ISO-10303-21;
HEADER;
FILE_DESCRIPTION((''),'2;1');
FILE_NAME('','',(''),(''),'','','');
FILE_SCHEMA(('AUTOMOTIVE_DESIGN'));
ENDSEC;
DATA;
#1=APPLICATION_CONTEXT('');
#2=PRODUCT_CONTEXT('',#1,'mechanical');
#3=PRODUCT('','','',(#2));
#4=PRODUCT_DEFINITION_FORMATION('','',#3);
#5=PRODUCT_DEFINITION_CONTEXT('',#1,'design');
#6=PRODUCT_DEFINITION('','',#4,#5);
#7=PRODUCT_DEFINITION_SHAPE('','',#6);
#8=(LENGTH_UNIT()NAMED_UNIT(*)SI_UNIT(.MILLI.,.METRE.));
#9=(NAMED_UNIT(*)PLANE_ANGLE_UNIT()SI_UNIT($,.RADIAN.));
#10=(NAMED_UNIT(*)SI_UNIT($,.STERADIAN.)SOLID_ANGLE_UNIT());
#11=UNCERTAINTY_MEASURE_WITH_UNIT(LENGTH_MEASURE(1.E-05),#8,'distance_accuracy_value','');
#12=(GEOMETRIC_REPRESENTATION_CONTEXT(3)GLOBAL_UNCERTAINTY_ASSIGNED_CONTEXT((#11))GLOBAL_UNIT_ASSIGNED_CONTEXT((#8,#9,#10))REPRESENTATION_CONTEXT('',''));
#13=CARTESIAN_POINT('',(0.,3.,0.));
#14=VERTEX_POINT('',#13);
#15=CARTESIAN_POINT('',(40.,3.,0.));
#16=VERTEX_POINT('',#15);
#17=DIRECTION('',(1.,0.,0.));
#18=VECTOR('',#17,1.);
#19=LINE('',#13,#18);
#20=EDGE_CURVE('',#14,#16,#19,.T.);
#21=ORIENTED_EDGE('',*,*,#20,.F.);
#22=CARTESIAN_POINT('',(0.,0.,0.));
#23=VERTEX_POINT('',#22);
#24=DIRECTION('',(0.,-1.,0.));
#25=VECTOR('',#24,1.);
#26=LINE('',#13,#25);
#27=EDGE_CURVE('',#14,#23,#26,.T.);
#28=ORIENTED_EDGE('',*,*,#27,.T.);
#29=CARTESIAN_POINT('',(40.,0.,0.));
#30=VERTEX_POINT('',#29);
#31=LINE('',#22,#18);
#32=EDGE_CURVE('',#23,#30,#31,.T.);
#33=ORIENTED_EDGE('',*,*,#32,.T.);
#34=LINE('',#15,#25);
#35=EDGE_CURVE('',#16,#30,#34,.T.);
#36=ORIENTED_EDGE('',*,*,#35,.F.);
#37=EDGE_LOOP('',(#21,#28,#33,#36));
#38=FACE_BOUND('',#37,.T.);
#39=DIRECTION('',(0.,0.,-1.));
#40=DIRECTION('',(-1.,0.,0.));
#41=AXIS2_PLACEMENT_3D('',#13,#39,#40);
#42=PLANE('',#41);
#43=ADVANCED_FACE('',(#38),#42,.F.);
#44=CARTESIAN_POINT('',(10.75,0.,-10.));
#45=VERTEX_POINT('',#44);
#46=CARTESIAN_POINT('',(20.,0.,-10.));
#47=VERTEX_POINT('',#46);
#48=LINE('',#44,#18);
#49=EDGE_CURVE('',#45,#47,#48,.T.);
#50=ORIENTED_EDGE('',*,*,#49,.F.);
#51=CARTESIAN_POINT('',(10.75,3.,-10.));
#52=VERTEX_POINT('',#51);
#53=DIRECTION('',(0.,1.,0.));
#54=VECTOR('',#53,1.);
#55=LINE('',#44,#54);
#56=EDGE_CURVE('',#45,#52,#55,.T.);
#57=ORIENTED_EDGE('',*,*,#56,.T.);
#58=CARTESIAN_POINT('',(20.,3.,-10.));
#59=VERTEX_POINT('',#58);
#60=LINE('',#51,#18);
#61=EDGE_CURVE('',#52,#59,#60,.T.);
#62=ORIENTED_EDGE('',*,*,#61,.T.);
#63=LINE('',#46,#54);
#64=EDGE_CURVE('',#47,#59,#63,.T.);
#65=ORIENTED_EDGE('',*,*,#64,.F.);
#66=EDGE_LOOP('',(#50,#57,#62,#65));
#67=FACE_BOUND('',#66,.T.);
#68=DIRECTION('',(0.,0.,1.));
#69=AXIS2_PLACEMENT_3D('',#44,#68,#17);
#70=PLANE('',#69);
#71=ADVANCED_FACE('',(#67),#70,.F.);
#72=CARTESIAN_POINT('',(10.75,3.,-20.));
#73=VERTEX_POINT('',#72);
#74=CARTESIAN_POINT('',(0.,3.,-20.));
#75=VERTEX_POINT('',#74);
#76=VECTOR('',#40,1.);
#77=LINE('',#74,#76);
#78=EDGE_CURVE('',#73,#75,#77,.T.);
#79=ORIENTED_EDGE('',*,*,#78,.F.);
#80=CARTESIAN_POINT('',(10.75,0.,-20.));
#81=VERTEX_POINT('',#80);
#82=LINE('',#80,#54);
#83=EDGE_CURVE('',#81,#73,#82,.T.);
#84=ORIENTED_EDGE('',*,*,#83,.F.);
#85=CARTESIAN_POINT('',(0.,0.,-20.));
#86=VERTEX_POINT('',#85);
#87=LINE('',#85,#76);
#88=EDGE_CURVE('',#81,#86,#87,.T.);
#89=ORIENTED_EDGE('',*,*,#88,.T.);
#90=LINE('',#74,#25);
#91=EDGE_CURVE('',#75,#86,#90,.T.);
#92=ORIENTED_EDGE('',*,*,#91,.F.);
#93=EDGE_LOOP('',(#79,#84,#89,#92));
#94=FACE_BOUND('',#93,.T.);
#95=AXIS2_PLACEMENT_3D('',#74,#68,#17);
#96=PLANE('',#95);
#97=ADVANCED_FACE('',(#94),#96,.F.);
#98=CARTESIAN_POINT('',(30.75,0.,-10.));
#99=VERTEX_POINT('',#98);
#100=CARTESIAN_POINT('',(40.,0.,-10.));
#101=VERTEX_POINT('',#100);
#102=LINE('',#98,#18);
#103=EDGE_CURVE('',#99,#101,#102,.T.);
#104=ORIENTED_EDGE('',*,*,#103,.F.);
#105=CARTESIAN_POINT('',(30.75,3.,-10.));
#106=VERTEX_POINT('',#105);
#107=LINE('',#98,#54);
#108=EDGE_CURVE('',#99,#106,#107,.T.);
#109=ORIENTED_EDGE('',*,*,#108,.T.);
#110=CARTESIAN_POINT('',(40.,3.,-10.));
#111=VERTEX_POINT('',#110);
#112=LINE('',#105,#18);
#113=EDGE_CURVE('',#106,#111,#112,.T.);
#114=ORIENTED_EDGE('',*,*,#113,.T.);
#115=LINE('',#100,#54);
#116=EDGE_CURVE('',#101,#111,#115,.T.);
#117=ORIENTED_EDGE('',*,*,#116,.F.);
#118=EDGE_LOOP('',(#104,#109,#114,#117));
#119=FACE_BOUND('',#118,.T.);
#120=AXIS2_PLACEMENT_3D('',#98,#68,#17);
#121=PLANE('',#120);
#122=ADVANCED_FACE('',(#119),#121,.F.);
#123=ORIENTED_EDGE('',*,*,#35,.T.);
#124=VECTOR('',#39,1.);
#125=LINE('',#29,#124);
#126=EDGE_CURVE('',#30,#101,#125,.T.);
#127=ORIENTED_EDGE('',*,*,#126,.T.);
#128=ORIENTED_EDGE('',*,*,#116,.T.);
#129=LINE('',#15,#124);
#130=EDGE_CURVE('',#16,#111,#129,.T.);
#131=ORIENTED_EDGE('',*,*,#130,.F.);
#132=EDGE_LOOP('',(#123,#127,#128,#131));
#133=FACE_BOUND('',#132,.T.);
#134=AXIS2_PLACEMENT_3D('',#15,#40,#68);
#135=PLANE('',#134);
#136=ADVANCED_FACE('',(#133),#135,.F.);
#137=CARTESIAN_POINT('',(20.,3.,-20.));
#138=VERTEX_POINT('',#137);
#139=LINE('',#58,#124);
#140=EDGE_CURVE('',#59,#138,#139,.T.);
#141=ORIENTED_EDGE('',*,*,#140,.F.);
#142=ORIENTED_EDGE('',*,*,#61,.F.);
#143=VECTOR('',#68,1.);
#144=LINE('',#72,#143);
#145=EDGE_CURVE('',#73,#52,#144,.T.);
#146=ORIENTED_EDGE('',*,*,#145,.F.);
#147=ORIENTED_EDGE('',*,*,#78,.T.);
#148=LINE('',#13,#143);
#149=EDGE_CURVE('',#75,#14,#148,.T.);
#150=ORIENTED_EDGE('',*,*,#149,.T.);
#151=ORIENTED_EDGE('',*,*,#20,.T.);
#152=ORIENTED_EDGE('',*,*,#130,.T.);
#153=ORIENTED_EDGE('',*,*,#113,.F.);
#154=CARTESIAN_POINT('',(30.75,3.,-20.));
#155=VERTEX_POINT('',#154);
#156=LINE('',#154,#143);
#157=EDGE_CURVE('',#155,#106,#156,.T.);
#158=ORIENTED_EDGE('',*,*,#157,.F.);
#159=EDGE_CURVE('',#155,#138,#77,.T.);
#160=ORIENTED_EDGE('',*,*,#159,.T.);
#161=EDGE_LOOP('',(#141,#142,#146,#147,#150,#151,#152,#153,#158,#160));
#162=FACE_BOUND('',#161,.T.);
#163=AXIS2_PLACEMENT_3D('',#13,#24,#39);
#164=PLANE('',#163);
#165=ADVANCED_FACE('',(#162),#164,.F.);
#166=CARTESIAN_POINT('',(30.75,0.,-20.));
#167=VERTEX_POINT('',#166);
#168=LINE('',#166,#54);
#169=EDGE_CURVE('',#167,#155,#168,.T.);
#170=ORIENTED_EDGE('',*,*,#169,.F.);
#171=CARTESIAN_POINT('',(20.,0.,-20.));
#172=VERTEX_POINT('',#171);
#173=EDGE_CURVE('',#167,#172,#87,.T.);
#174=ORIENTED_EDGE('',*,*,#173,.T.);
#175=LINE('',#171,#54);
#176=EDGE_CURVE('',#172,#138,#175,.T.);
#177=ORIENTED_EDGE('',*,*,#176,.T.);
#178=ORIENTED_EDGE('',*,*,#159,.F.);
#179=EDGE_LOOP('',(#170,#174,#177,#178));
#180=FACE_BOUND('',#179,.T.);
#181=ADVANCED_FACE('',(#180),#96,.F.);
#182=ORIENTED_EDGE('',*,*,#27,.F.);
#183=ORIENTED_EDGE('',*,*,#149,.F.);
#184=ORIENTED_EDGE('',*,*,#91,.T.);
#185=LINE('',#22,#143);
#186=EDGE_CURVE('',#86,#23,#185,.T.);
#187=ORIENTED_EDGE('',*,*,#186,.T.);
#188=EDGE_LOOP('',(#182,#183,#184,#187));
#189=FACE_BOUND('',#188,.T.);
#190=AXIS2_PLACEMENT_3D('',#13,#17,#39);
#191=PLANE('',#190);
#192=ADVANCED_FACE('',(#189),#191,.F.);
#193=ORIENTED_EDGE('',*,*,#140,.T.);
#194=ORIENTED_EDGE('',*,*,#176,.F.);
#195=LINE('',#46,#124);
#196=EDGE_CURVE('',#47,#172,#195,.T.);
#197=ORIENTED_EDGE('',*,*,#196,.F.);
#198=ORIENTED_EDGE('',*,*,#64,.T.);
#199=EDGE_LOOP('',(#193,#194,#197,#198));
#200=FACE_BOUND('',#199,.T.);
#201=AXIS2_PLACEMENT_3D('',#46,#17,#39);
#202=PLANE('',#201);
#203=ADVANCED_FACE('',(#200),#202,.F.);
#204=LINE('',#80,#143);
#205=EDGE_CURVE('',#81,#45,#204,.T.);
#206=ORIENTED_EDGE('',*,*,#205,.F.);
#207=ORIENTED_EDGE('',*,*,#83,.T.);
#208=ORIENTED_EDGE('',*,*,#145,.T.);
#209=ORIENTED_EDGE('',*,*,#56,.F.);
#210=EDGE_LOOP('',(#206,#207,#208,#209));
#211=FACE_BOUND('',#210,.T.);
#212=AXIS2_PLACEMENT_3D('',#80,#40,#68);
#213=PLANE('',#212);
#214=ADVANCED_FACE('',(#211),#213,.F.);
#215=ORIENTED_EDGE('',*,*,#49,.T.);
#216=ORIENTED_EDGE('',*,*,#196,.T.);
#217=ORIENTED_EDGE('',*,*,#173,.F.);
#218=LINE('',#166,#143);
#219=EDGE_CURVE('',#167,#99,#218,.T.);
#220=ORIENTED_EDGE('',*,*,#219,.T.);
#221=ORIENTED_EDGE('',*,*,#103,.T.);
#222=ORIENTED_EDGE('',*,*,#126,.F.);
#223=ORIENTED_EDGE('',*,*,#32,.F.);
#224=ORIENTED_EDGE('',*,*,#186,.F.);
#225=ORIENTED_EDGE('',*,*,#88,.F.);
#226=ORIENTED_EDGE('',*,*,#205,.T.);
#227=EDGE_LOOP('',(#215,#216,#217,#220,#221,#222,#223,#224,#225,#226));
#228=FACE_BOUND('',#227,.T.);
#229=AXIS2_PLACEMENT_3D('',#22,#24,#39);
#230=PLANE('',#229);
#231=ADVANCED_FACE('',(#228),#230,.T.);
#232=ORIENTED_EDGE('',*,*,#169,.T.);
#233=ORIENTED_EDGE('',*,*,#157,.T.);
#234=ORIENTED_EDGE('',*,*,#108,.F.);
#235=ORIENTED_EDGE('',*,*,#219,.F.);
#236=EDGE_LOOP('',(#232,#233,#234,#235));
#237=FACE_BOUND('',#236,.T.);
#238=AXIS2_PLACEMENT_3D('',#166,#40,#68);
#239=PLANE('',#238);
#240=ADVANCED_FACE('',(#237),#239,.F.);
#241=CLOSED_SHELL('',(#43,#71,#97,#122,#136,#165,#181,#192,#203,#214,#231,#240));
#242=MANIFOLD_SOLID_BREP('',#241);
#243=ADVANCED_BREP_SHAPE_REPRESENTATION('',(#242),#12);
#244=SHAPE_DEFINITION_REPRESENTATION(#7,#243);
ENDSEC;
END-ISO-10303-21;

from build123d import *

# Parameters (mm, degrees)
SKETCH1_W           = 40
SKETCH1_H           = 20
BOSS_EXTRUDE1_DEPTH = 3
SKETCH2_W           = 9.25
SKETCH2_H           = 10
CUT_EXTRUDE1_DEPTH  = 3


with BuildPart() as part:
    # Sketch1 → Boss-Extrude1 (new body)
    with BuildSketch(Plane(origin=(0, 0, 0), x_dir=(1, 0, 0), z_dir=(0, 1, 0))):
        with Locations((20, 10)):
            Rectangle(SKETCH1_W, SKETCH1_H)
    extrude(amount=BOSS_EXTRUDE1_DEPTH)

    # Sketch2 → Cut-Extrude1 (cut)
    with BuildSketch(Plane(origin=(0, 3, 0), x_dir=(1, 0, 0), z_dir=(0, 1, 0))):
        with Locations((15.375, 15)):
            Rectangle(SKETCH2_W, SKETCH2_H)
        with Locations((35.375, 15)):
            Rectangle(SKETCH2_W, SKETCH2_H)
    extrude(amount=-CUT_EXTRUDE1_DEPTH, mode=Mode.SUBTRACT)


solid = part.part
